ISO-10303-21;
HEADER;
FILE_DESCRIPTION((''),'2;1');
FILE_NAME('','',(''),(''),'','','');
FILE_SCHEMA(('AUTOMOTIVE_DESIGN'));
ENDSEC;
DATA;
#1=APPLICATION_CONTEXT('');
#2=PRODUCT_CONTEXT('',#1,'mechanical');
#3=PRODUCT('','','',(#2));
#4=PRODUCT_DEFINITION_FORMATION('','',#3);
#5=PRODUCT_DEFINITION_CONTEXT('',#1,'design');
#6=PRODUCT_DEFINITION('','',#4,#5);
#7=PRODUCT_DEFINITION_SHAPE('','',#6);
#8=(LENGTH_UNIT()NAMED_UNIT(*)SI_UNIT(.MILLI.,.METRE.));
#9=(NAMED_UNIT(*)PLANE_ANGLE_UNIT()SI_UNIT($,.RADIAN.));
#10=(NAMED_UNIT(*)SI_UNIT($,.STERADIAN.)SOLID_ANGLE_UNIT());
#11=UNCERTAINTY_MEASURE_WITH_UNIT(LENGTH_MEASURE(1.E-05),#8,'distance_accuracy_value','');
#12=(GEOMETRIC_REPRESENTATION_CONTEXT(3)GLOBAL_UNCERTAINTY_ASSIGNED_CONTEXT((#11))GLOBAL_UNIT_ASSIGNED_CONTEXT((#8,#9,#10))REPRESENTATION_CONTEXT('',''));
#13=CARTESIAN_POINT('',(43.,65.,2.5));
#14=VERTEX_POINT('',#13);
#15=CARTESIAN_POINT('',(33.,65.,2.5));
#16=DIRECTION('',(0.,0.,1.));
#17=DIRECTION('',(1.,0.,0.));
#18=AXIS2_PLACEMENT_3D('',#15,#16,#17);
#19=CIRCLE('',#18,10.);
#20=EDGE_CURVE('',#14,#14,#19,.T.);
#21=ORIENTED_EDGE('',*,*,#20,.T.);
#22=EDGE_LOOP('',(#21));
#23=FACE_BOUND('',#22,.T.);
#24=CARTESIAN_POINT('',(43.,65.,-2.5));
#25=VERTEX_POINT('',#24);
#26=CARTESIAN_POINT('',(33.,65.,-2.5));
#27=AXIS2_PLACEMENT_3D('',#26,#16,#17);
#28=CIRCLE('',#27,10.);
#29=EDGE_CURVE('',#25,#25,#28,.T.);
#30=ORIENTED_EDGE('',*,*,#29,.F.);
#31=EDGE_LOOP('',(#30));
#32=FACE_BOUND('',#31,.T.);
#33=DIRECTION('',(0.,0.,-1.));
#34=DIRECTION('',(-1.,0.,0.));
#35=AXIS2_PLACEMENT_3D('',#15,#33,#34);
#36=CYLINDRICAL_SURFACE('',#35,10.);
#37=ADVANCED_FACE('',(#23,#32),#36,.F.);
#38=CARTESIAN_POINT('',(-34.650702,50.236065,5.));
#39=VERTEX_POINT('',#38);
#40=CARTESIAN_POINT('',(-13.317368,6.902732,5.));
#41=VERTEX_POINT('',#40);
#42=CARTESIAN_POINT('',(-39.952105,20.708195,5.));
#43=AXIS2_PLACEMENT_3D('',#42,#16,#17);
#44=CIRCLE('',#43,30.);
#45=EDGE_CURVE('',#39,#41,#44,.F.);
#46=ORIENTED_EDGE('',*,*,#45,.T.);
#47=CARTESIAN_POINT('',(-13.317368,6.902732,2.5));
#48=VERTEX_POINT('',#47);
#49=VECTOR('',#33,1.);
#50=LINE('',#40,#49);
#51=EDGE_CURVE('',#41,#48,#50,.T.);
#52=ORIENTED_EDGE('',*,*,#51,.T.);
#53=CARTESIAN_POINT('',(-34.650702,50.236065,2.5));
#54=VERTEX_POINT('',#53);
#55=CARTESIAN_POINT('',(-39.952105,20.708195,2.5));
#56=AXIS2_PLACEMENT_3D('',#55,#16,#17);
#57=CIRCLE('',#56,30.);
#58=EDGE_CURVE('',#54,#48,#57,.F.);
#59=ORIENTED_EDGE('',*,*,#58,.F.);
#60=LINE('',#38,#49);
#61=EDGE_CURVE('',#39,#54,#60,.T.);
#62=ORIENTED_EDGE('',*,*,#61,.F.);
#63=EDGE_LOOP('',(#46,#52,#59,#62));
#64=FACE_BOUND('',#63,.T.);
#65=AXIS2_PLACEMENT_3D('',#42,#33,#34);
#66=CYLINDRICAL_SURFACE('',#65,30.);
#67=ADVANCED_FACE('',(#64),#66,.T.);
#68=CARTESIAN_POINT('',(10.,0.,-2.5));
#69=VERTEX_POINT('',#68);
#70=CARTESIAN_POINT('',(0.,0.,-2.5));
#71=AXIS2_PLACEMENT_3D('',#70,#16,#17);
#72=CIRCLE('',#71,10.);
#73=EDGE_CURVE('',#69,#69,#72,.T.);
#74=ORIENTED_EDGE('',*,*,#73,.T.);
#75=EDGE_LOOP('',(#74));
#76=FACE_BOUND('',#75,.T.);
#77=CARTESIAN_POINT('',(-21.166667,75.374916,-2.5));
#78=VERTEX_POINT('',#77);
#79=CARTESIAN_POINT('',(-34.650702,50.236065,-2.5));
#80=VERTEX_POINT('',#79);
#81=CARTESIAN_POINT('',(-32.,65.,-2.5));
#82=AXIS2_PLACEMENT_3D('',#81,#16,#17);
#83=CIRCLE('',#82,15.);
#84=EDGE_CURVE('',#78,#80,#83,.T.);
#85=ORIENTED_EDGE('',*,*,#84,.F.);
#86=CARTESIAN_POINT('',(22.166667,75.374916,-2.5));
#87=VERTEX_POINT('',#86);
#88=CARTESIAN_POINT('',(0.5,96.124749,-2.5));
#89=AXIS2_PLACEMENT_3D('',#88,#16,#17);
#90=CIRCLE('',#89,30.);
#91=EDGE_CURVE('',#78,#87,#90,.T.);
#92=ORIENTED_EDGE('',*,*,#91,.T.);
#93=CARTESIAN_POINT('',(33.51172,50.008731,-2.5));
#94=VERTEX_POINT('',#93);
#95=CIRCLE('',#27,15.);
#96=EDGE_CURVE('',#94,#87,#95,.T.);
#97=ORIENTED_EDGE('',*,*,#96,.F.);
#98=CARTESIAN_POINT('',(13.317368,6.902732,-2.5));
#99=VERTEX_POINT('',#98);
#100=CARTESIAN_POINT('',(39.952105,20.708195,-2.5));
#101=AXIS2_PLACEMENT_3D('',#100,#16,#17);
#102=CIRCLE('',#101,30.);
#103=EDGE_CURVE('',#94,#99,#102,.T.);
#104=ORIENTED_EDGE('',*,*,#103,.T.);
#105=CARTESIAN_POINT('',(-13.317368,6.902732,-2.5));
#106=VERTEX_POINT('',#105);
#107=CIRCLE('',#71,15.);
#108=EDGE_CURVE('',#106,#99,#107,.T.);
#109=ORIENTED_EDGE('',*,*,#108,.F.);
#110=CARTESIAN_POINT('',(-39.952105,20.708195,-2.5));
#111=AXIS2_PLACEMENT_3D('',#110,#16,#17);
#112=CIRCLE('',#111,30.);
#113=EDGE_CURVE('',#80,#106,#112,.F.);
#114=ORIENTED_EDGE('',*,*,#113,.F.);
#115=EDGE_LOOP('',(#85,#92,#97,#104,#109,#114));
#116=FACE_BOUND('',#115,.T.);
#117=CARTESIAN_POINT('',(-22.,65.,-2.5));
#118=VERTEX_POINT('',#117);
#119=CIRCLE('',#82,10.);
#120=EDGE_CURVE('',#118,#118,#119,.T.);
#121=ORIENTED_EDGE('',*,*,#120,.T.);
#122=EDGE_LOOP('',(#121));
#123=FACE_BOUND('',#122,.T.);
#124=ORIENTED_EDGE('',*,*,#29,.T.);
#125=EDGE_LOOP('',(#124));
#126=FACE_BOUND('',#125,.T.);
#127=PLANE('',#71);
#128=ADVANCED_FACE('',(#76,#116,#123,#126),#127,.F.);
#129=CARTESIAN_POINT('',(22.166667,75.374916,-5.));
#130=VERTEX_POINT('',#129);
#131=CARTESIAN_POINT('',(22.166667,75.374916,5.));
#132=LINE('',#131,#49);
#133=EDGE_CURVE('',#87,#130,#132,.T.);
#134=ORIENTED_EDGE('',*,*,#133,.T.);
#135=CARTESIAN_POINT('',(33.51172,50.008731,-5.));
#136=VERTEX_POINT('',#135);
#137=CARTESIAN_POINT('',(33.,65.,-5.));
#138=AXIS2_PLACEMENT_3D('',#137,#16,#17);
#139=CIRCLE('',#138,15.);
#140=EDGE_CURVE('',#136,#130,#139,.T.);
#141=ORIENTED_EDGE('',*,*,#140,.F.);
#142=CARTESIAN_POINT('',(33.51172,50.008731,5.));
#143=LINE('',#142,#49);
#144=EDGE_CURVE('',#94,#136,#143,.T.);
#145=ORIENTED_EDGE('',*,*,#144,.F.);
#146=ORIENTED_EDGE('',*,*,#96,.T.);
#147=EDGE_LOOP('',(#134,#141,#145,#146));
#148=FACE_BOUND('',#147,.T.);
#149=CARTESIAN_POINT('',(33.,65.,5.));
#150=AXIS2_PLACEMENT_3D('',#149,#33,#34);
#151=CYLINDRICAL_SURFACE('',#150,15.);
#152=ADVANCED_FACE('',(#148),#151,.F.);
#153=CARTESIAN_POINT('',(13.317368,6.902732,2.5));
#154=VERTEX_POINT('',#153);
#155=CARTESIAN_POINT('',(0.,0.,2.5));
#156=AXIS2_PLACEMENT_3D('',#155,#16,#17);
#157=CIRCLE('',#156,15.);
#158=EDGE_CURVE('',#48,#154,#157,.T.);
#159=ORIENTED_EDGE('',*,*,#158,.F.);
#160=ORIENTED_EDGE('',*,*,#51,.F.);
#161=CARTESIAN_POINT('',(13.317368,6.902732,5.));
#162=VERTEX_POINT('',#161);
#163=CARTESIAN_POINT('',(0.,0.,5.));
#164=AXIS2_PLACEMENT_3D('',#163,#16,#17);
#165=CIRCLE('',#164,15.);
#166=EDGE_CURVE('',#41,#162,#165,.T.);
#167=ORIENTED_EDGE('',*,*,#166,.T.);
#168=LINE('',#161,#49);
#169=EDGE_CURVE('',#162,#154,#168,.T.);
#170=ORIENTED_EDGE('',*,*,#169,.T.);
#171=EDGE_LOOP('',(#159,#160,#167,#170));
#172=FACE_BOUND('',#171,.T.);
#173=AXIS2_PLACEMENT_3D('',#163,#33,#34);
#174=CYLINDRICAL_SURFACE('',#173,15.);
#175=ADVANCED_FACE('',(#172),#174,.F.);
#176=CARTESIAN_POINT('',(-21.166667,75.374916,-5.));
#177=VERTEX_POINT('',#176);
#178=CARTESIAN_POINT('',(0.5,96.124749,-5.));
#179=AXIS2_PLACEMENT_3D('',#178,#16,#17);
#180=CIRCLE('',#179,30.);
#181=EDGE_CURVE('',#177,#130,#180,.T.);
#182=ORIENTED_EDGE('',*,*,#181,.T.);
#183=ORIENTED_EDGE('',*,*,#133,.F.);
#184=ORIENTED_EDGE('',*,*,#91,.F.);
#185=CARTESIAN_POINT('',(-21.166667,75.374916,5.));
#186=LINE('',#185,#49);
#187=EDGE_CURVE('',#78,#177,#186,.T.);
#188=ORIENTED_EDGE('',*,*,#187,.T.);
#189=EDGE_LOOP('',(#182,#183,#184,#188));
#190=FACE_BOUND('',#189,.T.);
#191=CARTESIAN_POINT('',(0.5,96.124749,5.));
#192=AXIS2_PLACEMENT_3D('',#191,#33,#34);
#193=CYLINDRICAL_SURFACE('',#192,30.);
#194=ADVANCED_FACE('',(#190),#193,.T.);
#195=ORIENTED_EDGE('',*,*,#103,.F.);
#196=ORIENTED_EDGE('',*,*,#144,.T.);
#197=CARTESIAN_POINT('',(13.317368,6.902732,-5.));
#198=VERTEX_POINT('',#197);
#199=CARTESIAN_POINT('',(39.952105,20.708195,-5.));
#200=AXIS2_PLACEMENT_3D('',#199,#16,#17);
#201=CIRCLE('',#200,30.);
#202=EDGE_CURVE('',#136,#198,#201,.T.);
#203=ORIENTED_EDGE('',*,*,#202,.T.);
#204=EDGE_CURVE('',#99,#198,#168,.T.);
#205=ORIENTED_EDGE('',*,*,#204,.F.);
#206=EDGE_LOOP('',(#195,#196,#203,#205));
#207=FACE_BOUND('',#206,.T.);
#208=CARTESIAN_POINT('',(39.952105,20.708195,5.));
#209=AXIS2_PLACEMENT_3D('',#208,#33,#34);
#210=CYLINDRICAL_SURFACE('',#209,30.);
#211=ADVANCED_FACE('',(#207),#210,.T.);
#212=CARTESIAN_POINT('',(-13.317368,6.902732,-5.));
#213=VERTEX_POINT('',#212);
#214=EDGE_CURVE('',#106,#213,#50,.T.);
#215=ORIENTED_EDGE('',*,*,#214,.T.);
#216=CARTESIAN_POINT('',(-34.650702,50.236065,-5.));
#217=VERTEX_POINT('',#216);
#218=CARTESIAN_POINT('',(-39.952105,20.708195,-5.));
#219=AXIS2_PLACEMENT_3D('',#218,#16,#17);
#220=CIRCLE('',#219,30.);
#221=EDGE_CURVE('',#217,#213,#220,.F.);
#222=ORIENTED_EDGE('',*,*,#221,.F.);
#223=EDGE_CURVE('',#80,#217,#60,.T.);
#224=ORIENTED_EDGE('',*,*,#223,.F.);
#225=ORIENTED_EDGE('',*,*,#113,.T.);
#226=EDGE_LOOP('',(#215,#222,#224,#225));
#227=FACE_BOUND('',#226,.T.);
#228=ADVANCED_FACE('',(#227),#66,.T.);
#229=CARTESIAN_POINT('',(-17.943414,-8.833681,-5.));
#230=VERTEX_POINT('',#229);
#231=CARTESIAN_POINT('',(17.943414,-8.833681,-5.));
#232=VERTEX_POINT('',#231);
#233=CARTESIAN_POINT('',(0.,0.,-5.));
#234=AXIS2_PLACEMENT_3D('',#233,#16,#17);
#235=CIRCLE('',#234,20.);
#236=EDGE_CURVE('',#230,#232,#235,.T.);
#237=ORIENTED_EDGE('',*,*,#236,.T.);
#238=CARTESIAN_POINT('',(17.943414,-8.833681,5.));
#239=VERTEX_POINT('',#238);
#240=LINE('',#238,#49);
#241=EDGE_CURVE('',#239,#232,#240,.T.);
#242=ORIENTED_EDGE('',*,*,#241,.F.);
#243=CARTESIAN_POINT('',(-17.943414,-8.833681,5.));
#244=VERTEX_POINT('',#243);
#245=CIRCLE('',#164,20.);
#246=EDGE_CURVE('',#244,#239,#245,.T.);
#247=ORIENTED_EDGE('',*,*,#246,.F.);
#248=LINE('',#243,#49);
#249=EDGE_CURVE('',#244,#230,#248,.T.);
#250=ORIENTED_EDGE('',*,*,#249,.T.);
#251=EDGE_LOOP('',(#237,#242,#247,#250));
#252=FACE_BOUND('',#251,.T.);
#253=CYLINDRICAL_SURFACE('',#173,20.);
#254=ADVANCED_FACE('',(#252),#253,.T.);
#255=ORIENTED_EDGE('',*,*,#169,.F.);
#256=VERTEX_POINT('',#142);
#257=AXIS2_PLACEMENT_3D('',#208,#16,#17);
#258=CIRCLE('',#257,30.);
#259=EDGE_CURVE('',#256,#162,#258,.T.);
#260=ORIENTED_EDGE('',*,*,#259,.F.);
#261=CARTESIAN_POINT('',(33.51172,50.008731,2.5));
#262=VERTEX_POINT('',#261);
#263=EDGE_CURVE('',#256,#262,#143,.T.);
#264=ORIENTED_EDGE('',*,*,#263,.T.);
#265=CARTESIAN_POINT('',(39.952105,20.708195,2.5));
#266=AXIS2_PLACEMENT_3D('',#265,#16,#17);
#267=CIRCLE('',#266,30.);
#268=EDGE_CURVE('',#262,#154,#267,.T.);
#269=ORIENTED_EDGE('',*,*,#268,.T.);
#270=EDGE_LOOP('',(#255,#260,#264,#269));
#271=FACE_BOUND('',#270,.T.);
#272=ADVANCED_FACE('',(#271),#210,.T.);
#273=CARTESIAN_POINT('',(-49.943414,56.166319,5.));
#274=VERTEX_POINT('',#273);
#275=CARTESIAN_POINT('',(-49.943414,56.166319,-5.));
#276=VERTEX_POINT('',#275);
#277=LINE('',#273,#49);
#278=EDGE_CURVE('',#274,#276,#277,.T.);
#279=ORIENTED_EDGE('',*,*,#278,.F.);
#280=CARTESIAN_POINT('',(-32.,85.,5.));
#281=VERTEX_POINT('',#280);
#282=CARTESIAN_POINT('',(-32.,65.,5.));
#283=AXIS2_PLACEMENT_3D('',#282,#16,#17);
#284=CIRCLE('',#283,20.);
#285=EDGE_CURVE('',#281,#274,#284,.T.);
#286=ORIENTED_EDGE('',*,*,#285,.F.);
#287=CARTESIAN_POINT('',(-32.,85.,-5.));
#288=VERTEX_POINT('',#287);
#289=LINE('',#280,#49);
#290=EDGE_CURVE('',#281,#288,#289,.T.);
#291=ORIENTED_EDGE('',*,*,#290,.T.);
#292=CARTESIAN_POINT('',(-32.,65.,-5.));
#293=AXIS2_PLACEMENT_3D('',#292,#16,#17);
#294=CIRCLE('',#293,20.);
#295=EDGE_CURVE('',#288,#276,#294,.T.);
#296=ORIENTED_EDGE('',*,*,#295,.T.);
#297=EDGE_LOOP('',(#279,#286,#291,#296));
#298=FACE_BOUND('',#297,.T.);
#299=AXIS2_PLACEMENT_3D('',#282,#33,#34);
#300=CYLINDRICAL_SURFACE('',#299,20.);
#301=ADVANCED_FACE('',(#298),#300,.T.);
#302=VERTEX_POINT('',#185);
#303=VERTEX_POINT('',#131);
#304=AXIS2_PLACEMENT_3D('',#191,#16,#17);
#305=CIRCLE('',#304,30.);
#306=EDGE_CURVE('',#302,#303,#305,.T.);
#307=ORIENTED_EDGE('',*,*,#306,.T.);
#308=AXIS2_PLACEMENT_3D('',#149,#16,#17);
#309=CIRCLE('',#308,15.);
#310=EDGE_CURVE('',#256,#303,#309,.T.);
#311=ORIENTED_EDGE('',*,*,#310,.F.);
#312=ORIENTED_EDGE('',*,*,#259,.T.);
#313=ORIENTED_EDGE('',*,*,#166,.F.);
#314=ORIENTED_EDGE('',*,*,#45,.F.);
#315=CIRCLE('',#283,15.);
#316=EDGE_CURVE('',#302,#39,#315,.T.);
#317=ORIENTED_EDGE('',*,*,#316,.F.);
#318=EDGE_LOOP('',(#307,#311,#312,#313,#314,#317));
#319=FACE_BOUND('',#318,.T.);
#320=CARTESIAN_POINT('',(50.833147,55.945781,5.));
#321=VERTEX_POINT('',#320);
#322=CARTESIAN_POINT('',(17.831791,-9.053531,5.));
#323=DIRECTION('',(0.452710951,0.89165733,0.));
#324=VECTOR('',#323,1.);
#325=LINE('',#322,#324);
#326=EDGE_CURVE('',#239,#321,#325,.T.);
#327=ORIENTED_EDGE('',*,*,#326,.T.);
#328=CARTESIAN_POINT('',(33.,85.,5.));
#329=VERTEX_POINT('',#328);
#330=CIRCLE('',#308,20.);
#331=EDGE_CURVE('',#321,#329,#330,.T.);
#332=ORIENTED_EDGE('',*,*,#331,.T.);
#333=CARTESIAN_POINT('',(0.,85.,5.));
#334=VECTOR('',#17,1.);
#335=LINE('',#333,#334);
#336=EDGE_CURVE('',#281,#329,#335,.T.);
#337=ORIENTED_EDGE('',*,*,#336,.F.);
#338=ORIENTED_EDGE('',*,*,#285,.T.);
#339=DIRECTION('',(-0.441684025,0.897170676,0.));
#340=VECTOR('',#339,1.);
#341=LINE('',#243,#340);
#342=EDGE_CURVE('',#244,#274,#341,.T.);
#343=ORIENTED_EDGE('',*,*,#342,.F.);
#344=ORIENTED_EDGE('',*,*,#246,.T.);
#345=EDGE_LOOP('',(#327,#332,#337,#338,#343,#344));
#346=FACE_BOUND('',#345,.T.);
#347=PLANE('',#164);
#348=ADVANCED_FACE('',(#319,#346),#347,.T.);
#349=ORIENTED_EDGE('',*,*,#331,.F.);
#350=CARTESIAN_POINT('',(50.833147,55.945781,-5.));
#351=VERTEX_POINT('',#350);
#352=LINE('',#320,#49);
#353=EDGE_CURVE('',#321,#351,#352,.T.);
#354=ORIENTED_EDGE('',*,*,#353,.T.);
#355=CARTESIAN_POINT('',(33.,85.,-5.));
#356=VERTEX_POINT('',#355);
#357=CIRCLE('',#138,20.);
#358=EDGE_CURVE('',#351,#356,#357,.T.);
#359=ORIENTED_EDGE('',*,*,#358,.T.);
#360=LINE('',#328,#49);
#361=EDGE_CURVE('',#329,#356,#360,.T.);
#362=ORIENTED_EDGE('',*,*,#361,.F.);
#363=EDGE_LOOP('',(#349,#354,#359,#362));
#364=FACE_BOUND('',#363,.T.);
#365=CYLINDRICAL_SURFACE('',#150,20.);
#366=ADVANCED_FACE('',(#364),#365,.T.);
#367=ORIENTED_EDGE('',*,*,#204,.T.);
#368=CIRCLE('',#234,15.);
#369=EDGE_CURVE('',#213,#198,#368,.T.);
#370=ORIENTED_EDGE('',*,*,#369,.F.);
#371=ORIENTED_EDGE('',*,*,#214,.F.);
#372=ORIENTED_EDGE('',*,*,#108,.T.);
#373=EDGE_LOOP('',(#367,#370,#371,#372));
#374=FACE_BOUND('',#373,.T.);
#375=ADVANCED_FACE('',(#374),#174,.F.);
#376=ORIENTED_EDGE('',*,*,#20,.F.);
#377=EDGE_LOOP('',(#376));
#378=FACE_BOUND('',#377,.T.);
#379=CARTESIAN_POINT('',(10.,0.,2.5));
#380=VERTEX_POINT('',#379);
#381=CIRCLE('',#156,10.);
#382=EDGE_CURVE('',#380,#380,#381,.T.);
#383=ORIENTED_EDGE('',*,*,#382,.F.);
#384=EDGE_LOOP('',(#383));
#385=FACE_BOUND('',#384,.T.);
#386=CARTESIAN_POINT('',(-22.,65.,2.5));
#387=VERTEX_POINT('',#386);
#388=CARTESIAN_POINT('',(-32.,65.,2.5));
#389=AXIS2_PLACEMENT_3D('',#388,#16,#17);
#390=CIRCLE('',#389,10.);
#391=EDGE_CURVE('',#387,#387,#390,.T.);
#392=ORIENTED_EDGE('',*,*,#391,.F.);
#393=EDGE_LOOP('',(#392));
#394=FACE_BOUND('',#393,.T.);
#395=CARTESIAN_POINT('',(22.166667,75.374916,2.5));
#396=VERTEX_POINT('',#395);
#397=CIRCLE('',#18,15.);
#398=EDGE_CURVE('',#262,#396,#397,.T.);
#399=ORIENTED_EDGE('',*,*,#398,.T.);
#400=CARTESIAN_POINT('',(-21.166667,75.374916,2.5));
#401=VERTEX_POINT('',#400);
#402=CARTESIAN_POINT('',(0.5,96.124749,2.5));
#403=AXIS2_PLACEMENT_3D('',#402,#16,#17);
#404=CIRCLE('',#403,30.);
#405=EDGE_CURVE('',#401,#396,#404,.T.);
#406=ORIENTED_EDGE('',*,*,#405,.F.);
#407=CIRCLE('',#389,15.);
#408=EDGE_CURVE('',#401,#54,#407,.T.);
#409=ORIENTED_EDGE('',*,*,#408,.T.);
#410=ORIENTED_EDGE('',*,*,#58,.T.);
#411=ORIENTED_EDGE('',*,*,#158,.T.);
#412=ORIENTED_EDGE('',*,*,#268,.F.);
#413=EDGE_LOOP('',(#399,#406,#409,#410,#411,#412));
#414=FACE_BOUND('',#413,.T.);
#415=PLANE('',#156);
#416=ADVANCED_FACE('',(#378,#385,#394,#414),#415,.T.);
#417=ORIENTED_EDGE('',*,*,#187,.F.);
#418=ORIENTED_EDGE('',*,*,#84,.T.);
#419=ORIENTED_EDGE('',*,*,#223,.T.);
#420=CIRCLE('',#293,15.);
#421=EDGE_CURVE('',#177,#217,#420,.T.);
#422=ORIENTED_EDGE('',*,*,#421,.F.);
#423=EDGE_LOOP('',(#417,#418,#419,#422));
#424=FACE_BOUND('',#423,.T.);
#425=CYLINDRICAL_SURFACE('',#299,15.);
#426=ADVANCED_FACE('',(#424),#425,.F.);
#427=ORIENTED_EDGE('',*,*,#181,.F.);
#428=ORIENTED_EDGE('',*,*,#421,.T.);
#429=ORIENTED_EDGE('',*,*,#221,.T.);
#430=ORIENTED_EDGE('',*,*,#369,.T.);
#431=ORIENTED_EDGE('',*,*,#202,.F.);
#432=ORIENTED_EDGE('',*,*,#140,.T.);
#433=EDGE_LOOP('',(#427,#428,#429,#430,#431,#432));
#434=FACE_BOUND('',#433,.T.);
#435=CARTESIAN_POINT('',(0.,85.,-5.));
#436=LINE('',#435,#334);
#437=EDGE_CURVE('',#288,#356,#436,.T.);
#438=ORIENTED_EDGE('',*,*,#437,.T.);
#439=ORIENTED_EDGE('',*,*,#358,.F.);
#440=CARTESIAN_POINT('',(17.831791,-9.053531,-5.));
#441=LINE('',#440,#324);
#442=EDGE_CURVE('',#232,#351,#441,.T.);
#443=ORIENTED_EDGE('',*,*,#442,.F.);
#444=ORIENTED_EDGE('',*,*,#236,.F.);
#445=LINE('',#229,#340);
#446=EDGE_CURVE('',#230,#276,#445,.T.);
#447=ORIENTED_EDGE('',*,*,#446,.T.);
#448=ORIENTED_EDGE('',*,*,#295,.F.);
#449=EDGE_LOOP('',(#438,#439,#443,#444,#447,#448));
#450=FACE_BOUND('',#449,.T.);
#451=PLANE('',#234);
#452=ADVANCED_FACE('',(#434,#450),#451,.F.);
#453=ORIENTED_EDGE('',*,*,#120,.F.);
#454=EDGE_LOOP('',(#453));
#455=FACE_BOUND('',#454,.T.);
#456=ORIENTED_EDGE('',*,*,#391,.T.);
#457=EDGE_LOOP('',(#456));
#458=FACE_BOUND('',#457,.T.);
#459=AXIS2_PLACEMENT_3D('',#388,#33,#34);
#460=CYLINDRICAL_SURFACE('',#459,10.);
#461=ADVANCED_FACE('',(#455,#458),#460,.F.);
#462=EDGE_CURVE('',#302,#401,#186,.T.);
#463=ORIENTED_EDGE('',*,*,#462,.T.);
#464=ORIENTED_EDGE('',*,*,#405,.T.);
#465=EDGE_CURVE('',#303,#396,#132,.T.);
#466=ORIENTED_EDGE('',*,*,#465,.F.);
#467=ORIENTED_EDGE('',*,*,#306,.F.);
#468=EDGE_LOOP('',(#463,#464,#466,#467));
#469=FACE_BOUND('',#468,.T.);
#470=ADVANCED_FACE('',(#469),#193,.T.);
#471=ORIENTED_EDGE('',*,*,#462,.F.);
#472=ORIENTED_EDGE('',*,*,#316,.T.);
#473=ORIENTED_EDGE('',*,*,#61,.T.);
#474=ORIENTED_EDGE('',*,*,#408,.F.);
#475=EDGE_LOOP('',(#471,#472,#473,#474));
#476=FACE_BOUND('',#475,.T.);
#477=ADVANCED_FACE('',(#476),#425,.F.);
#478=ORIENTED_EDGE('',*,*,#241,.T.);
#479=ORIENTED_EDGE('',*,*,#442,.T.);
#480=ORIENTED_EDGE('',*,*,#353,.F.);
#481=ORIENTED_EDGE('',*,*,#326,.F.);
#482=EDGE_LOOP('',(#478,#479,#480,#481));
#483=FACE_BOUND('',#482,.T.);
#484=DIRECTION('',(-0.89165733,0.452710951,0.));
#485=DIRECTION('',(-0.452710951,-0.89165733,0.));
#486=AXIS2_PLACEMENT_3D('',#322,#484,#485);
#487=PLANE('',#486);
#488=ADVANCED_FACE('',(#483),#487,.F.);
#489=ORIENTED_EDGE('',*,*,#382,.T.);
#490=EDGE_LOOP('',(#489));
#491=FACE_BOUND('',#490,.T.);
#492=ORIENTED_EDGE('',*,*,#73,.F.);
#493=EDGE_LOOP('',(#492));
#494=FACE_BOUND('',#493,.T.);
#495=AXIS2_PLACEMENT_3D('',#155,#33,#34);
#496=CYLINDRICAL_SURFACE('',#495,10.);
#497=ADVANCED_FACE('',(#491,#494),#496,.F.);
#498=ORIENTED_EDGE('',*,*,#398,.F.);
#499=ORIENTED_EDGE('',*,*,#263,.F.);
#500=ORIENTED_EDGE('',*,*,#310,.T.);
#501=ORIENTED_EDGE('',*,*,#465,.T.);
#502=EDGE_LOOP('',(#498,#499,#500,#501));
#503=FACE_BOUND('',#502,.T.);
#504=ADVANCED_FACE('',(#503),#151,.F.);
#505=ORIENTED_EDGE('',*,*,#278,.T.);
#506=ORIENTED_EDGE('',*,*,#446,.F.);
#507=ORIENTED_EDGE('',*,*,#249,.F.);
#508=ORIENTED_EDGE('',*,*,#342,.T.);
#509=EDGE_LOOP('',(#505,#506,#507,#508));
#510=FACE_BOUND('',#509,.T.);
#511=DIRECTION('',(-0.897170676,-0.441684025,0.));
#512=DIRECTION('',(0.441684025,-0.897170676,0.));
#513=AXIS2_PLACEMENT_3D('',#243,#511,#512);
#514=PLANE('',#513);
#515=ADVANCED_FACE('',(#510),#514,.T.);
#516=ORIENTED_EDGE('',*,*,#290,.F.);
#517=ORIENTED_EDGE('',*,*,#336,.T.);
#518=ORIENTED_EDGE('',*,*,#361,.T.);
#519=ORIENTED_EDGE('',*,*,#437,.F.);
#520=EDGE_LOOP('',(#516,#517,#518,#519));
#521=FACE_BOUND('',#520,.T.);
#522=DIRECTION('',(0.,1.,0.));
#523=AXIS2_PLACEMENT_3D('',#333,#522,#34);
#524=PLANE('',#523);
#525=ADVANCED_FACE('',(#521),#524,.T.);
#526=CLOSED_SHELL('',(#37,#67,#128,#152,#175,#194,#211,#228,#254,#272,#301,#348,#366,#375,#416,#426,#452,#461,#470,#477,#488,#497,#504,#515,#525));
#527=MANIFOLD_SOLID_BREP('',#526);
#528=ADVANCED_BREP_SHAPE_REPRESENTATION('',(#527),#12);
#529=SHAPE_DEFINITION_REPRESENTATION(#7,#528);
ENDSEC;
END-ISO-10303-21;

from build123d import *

# Parameters (mm, degrees)
BOSS_EXTRUDE1_DEPTH = 5
SKETCH1_3_R         = 10
BOSS_EXTRUDE2_DEPTH = 2.5


with BuildPart() as part:
    # Sketch1 → Boss-Extrude1 (new, symmetric)
    with BuildSketch(Plane.XY):
        with BuildLine():
            Line((33, 85), (-32, 85))
            ThreePointArc((-32, 85), (-48.980483062, 75.567080721), (-49.943413521, 56.166319497))
            Line((-49.943413521, 56.166319497), (-17.943413521, -8.833680503))
            ThreePointArc((-17.943413521, -8.833680503), (0, -20), (17.943413521, -8.833680503))
            Line((17.943413521, -8.833680503), (50.833146609, 55.945780983))
            ThreePointArc((50.833146609, 55.945780983), (50.045298184, 75.46220865), (33, 85))
        make_face()
        with BuildLine():
            ThreePointArc((13.317368267, 6.90273152), (0, -15), (-13.317368267, 6.90273152))
            ThreePointArc((-13.317368267, 6.90273152), (-13.036984521, 33.958715313), (-34.650701601, 50.236064853))
            ThreePointArc((-34.650701601, 50.236064853), (-45.218522192, 72.090181314), (-21.166666667, 75.374916332))
            ThreePointArc((-21.166666667, 75.374916332), (0.5, 66.124748995), (22.166666667, 75.374916332))
            ThreePointArc((22.166666667, 75.374916332), (46.692872743, 71.124151864), (33.511719921, 50.008731117))
            ThreePointArc((33.511719921, 50.008731117), (12.785531325, 33.43522428), (13.317368267, 6.90273152))
        make_face(mode=Mode.SUBTRACT)
    extrude(amount=BOSS_EXTRUDE1_DEPTH, both=True)

    # Sketch1<3> → Boss-Extrude2 (add, symmetric)
    with BuildSketch(Plane.XY):
        with BuildLine():
            ThreePointArc((-34.650701601, 50.236064853), (-13.036984521, 33.958715313), (-13.317368267, 6.90273152))
            ThreePointArc((-13.317368267, 6.90273152), (0, -15), (13.317368267, 6.90273152))
            ThreePointArc((13.317368267, 6.90273152), (12.785531325, 33.43522428), (33.511719921, 50.008731117))
            ThreePointArc((33.511719921, 50.008731117), (46.692872743, 71.124151864), (22.166666667, 75.374916332))
            ThreePointArc((22.166666667, 75.374916332), (0.5, 66.124748995), (-21.166666667, 75.374916332))
            ThreePointArc((-21.166666667, 75.374916332), (-45.218522192, 72.090181314), (-34.650701601, 50.236064853))
        make_face()
        Circle(SKETCH1_3_R, mode=Mode.SUBTRACT)
        with Locations((-32, 65)):
            Circle(SKETCH1_3_R, mode=Mode.SUBTRACT)
        with Locations((33, 65)):
            Circle(SKETCH1_3_R, mode=Mode.SUBTRACT)
    extrude(amount=BOSS_EXTRUDE2_DEPTH, both=True)


solid = part.part
